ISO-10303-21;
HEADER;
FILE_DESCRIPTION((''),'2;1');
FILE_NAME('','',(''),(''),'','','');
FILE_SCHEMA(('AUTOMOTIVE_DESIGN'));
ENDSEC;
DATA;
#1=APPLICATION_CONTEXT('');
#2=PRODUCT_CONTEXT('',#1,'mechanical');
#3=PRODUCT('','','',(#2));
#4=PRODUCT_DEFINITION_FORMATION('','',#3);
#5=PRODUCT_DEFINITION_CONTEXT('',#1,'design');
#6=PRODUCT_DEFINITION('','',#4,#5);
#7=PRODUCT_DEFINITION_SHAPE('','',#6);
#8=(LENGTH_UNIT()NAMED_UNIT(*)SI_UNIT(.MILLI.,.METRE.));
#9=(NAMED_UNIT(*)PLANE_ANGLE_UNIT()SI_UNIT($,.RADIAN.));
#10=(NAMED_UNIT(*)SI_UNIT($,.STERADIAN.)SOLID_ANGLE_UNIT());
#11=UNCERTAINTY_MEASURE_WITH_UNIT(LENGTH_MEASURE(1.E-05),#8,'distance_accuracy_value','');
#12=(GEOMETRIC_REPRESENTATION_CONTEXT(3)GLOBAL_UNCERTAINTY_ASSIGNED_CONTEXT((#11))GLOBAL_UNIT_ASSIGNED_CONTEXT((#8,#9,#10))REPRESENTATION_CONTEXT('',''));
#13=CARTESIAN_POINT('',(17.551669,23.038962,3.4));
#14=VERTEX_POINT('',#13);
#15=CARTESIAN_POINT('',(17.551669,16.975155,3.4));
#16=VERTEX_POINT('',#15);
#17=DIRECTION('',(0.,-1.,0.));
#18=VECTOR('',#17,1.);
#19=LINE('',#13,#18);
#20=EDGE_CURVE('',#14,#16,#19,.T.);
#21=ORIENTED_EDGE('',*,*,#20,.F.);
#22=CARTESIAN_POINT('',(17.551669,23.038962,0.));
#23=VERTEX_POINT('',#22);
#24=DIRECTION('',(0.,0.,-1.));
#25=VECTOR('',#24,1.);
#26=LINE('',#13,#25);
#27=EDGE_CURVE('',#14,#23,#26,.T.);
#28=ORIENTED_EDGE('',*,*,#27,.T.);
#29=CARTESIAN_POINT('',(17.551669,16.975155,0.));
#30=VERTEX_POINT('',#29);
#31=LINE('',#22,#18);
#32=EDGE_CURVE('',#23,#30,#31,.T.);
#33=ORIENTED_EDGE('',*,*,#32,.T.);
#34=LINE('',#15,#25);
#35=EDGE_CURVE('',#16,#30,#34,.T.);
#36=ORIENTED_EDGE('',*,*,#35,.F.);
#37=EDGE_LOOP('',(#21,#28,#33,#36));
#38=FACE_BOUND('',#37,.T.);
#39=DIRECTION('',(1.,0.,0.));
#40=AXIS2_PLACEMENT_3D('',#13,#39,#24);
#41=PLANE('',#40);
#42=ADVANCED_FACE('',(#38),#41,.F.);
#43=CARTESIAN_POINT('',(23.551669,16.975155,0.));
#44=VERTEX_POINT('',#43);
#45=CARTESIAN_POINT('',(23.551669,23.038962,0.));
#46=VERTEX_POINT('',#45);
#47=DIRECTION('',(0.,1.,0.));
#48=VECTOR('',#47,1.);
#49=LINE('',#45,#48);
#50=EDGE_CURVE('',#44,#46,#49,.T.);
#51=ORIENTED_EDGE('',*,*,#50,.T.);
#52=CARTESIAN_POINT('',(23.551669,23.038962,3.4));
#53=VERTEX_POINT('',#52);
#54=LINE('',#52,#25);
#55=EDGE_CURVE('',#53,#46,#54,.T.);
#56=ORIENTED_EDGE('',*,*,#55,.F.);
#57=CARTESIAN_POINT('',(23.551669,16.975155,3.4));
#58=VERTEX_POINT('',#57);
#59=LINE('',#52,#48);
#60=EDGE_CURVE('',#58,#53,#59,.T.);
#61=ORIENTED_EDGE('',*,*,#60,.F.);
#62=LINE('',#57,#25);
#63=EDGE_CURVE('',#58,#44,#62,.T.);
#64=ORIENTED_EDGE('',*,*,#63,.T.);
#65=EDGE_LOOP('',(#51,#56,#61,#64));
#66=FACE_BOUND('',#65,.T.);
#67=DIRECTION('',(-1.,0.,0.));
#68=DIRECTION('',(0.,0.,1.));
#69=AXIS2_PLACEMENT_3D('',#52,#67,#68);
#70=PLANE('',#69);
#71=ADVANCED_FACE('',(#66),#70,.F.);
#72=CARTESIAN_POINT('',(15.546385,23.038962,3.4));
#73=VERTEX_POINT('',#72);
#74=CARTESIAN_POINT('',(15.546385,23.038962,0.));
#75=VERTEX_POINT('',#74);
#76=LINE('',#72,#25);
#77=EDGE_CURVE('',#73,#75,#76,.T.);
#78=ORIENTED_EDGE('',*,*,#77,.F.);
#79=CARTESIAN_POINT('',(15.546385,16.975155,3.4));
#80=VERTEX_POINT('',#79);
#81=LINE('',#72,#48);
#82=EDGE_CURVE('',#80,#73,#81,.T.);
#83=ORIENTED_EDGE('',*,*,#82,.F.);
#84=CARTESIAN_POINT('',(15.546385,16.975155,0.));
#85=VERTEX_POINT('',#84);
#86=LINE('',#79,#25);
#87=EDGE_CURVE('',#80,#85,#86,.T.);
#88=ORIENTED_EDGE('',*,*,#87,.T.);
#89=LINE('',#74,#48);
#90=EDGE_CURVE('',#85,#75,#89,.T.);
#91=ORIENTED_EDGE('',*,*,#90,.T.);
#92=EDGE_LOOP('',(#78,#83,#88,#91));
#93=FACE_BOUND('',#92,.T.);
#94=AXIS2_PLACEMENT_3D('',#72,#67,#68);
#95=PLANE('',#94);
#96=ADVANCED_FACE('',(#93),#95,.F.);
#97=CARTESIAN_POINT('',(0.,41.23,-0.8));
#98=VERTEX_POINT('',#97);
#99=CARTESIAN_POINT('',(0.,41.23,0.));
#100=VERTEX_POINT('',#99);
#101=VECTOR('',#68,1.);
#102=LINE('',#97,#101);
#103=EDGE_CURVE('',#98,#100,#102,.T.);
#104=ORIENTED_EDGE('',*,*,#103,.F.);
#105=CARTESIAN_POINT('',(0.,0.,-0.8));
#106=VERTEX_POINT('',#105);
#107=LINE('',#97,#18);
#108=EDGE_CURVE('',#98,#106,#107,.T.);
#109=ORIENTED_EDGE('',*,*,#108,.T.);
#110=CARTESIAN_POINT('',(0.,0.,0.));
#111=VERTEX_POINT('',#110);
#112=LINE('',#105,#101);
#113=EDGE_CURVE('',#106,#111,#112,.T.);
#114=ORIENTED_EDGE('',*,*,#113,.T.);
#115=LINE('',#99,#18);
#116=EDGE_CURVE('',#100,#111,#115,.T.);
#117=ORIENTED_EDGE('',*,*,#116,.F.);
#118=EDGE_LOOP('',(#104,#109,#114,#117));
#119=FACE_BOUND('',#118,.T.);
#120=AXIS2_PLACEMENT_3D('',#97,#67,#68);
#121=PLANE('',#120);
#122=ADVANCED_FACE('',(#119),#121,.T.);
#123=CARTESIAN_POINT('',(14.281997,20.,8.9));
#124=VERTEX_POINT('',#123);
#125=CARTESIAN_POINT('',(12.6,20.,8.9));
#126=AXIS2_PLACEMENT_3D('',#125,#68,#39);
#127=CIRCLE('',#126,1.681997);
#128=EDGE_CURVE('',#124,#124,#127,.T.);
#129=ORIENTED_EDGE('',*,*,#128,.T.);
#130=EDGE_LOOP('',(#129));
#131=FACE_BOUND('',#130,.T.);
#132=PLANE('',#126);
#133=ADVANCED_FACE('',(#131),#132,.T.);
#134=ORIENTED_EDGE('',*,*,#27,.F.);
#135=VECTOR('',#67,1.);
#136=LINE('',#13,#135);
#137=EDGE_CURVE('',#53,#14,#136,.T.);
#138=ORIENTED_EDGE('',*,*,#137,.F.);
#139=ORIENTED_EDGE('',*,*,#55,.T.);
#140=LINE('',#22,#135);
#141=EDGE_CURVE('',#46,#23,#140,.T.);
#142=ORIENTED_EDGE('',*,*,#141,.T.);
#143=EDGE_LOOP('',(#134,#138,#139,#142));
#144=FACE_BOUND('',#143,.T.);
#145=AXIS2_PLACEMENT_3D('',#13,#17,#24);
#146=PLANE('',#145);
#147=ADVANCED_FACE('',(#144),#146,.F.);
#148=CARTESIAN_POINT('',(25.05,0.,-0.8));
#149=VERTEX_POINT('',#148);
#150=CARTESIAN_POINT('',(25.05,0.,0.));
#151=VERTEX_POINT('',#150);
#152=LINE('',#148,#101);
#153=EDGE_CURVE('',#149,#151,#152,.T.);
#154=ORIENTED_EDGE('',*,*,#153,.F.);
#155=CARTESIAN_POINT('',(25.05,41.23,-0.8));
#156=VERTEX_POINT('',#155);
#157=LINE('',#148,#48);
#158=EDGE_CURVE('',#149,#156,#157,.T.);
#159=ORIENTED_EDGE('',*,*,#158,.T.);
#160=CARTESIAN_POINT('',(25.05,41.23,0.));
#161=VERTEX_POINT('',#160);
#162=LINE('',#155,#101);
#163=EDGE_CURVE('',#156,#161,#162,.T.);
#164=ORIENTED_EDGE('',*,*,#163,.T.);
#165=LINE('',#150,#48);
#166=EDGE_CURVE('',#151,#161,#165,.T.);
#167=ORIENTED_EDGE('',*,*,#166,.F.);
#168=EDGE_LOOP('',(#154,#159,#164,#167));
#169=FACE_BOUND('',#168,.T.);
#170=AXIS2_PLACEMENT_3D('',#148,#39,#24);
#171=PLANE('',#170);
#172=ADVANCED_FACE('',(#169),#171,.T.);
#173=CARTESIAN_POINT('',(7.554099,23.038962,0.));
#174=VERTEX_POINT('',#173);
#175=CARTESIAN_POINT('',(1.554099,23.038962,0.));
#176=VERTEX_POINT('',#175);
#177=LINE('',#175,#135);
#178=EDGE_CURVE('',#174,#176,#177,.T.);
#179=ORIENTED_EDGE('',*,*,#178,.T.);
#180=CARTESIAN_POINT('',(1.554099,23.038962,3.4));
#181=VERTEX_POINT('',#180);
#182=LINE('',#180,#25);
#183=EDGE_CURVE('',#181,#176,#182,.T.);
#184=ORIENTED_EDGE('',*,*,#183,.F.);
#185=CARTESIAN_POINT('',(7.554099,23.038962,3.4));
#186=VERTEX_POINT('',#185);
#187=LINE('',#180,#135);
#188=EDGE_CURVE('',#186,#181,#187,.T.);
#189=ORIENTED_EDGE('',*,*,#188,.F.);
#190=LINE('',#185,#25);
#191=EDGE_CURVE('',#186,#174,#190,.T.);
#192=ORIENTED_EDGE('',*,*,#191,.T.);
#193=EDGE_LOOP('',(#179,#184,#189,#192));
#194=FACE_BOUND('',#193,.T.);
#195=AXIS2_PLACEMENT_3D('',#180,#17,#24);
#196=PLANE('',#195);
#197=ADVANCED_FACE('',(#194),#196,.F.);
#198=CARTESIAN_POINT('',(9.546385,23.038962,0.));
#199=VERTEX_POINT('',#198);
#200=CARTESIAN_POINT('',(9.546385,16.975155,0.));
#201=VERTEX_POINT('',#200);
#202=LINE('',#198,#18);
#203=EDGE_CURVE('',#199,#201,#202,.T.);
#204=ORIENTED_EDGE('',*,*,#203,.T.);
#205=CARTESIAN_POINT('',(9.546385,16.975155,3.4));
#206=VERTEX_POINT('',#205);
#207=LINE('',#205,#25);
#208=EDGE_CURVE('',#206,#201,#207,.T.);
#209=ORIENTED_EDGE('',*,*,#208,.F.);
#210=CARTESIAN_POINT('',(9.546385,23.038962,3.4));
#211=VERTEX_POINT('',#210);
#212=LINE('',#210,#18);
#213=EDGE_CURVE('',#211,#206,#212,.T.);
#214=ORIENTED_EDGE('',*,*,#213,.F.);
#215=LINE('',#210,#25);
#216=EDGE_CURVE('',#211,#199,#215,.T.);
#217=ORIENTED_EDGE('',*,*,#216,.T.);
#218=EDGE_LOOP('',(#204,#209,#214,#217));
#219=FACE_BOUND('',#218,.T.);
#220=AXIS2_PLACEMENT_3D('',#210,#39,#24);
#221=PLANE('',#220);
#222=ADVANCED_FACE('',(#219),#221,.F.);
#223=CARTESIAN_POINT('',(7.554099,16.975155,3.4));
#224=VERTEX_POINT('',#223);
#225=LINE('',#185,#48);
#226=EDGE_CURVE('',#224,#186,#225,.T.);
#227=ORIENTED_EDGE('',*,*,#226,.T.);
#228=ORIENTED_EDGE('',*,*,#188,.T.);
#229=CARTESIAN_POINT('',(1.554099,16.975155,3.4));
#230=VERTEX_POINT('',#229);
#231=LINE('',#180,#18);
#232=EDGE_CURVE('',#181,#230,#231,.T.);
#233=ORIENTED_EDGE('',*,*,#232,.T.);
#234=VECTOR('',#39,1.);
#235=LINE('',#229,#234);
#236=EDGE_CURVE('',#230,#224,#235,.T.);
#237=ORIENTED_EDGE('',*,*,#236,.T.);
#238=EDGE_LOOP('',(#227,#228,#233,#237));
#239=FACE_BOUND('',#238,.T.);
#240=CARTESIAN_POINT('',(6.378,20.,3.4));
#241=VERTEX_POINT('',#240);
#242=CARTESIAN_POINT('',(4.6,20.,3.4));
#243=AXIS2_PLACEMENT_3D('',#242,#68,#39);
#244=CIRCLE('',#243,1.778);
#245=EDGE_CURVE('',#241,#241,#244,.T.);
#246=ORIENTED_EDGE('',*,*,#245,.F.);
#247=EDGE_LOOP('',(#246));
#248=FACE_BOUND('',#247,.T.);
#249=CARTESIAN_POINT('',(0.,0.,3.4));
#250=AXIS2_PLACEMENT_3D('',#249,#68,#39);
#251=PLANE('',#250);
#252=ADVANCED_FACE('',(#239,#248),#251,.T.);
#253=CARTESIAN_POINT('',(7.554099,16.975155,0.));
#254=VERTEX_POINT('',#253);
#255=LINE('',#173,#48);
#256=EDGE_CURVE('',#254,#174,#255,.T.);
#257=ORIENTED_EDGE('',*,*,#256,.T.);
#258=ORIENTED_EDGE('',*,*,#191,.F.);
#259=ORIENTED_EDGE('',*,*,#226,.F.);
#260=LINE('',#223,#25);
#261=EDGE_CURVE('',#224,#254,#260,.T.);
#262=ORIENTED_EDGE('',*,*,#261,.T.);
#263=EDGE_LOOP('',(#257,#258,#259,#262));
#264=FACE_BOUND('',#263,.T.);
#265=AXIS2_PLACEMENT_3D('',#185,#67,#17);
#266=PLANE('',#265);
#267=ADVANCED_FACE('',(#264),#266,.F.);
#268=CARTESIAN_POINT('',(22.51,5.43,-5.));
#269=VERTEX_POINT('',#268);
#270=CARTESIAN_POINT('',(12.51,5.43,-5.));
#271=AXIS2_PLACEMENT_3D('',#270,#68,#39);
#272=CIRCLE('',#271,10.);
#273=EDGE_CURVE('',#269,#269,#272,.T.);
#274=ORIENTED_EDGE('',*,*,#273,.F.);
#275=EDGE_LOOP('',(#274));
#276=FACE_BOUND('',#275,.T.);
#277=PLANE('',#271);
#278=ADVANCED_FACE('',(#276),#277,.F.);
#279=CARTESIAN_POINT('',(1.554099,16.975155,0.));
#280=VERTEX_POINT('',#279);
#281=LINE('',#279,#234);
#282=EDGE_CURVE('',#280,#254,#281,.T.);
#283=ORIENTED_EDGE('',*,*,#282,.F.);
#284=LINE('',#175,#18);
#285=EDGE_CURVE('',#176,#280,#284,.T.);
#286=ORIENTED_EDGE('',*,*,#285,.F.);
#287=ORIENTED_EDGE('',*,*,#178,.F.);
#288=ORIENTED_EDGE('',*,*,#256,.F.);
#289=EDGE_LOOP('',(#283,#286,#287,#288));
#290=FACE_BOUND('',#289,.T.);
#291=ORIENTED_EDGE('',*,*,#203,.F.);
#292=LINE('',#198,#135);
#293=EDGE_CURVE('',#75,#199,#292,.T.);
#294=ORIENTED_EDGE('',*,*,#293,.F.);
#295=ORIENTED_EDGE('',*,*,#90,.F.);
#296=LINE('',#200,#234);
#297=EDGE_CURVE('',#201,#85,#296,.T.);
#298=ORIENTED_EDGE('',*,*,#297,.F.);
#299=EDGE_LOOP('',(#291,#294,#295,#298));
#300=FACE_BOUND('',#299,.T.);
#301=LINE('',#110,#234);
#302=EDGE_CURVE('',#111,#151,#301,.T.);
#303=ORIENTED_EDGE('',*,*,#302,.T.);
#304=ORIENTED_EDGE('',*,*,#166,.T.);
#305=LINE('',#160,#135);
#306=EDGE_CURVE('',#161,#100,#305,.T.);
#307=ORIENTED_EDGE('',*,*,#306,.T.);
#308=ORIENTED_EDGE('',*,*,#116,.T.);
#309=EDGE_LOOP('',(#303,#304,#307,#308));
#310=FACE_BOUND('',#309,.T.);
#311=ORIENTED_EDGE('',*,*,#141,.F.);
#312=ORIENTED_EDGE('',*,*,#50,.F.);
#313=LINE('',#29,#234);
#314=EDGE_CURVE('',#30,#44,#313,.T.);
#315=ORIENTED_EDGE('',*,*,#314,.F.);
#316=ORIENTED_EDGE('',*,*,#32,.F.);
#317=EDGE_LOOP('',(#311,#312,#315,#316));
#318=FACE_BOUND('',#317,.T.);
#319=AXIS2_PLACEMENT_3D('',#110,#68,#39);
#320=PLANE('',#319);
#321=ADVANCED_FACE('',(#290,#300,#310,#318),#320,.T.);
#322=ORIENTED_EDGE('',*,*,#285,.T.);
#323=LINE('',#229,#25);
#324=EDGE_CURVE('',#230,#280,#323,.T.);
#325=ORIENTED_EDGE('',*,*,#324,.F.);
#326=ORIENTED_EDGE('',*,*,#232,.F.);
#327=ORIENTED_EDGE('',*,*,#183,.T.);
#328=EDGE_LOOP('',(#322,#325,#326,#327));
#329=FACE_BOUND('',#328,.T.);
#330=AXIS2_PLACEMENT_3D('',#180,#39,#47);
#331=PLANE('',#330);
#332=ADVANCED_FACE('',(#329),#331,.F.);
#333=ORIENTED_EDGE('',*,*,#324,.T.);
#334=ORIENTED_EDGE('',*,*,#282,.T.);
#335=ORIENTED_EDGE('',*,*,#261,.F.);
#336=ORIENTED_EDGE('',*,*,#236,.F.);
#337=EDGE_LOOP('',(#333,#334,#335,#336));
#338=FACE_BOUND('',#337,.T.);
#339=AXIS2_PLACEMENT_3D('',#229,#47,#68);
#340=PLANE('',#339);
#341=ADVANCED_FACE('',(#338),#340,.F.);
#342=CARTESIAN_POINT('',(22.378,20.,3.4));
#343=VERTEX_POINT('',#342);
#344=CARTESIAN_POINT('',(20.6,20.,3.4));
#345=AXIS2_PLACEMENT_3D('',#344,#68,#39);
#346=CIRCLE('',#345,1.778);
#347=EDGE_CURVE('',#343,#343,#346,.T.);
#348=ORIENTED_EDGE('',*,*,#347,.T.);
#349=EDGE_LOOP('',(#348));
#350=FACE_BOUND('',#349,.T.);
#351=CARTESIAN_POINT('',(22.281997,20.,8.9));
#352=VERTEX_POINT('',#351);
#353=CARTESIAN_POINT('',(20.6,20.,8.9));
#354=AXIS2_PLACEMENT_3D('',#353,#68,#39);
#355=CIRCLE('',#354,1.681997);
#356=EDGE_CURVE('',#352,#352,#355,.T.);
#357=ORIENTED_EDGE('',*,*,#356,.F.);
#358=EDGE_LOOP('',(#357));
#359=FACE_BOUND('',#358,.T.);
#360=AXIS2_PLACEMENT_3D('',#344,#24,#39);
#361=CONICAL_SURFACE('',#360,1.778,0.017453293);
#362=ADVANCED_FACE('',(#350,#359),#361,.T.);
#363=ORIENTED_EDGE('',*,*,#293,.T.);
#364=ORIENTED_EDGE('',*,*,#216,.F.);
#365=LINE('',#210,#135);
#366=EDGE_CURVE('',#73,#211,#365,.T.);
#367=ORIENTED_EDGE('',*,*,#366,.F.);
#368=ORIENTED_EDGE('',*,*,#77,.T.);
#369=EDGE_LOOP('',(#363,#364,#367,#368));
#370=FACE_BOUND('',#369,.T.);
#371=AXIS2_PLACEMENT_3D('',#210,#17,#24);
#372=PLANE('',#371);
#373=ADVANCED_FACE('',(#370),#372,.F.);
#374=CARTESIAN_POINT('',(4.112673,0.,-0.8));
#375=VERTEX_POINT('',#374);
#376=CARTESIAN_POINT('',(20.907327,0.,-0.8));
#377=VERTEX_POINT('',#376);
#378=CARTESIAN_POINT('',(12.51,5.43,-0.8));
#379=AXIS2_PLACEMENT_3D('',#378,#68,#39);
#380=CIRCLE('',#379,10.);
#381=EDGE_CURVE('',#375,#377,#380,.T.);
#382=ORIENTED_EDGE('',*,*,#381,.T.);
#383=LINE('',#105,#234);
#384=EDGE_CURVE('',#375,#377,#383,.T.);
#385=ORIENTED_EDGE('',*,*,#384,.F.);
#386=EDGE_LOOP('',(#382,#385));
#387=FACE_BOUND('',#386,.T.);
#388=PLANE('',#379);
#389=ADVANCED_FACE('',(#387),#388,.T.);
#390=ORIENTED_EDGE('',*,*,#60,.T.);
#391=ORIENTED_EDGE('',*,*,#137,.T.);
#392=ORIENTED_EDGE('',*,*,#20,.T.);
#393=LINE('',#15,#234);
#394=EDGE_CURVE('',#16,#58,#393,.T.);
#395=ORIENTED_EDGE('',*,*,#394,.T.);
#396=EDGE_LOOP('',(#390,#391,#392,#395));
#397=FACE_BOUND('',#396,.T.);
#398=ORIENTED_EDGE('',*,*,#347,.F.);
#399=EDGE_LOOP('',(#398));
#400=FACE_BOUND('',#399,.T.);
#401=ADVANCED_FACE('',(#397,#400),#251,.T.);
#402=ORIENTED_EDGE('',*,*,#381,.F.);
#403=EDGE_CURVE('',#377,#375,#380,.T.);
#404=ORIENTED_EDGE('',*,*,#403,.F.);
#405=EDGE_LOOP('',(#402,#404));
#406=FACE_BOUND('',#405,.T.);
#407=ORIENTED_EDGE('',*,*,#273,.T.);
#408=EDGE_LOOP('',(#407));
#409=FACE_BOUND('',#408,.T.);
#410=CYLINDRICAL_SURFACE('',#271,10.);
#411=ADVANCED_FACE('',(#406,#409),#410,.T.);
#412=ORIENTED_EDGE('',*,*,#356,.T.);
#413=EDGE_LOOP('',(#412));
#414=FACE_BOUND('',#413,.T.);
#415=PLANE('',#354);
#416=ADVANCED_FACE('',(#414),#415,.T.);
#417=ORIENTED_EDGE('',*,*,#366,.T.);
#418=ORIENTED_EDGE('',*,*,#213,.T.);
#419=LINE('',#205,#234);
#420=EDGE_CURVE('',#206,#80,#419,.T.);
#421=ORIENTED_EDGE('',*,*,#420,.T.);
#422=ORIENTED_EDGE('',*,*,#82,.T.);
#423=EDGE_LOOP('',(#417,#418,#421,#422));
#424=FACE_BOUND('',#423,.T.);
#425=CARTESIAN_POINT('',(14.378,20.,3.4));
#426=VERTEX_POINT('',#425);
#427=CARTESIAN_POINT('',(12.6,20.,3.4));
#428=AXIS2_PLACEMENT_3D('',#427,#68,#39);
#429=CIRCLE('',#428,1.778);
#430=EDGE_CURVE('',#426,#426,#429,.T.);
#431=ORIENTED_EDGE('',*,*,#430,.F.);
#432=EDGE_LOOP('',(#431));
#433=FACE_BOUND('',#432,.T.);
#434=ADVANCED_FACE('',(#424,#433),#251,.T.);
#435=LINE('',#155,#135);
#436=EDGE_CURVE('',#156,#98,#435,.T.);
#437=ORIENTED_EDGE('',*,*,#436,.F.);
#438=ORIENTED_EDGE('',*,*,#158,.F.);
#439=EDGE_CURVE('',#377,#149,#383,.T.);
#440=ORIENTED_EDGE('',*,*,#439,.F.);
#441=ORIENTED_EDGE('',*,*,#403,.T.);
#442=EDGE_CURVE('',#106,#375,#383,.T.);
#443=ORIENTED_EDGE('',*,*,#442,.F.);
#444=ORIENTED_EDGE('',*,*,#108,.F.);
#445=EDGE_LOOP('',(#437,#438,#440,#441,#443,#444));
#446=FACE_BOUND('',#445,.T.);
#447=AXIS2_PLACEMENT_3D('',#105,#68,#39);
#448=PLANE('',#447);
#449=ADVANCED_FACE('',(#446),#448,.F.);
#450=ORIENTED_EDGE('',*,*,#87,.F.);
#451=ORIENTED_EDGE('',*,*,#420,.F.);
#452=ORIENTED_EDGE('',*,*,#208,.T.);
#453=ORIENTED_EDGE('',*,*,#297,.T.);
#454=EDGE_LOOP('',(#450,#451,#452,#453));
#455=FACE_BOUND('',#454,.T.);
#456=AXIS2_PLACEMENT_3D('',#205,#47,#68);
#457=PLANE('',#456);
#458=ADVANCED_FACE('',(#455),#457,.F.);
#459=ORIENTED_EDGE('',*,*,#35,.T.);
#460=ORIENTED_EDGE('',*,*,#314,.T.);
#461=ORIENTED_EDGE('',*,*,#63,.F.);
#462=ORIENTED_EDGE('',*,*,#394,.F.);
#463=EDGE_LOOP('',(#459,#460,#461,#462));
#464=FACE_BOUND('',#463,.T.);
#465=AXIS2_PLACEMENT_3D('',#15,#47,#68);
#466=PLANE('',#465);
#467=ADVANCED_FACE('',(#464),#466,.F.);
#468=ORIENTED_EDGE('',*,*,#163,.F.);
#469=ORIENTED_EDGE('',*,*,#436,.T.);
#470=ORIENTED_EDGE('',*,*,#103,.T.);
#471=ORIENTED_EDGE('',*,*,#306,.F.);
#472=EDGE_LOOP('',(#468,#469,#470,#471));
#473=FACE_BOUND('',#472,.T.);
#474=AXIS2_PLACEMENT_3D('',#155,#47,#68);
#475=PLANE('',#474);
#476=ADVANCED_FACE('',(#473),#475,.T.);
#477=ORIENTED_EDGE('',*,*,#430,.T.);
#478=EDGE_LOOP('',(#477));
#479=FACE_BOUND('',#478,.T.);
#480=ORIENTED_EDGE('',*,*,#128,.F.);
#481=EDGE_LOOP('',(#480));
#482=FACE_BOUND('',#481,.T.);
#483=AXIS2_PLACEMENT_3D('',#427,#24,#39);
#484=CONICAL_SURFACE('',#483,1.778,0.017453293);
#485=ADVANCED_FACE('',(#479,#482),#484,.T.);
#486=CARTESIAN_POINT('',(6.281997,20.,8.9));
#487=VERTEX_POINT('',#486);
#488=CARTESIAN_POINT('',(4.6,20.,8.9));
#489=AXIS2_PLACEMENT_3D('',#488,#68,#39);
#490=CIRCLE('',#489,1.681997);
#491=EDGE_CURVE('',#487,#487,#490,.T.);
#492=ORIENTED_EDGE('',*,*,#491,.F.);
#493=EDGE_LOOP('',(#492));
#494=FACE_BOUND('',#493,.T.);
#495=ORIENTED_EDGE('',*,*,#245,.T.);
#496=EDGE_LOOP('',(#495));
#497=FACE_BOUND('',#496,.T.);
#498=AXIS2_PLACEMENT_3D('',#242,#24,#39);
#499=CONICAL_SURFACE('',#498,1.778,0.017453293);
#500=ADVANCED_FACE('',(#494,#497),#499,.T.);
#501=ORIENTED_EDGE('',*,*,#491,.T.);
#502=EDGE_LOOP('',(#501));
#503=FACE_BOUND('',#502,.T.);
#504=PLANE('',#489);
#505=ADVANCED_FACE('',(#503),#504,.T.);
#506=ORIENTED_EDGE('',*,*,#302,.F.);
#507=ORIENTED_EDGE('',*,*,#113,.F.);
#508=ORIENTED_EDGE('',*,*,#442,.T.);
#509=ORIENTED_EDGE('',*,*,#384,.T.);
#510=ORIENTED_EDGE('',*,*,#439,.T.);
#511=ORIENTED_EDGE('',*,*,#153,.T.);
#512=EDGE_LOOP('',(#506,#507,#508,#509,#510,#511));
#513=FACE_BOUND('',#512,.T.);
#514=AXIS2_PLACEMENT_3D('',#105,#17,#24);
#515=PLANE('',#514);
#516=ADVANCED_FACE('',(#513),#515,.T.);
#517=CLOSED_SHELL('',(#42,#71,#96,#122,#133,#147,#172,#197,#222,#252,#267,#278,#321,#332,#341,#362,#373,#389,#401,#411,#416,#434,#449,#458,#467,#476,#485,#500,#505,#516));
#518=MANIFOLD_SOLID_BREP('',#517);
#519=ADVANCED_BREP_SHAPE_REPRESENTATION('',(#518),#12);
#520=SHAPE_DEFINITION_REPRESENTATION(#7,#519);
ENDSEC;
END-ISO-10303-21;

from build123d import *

# Parameters (mm, degrees)
SKETCH_20_W                   = 25.05
SKETCH_20_H                   = 41.23
BOSS_EXTRUDE1_DEPTH           = 0.8
SKETCH13_W                    = 6
SKETCH13_H                    = 6.063806384
BOSS_EXTRUDE2_DEPTH           = 3.4
SKETCH14_R                    = 1.778
BOSS_EXTRUDE3_DEPTH           = 5.5
BOSS_EXTRUDE3_DRAFT           = 1
BOSS_EXTRUDE3_PROFILE_2_DEPTH = 5.5
BOSS_EXTRUDE3_PROFILE_2_DRAFT = 1
BOSS_EXTRUDE3_PROFILE_3_DEPTH = 5.5
BOSS_EXTRUDE3_PROFILE_3_DRAFT = 1
SKETCH15_R                    = 10
BOSS_EXTRUDE4_DEPTH           = 4.2


with BuildPart() as part:
    # Sketch 20 → Boss-Extrude1 (new body)
    with BuildSketch(Plane.XY):
        with Locations((12.525, 20.615)):
            Rectangle(SKETCH_20_W, SKETCH_20_H)
    extrude(amount=-BOSS_EXTRUDE1_DEPTH)

    # Sketch13 → Boss-Extrude2 (add)
    with BuildSketch(Plane.XY):
        with Locations((4.55409918, 20.007058513)):
            Rectangle(SKETCH13_W, SKETCH13_H)
        with Locations((12.546384712, 20.007058513)):
            Rectangle(SKETCH13_W, SKETCH13_H)
        with Locations((20.551668538, 20.007058513)):
            Rectangle(SKETCH13_W, SKETCH13_H)
    extrude(amount=BOSS_EXTRUDE2_DEPTH)


with BuildPart() as boss_extrude3_tool:
    # Sketch14 → Boss-Extrude3 (with draft: the straight prism first)
    with BuildSketch(Plane.XY.offset(3.4)):
        with Locations((4.6, 20)):
            Circle(SKETCH14_R)
    extrude(amount=BOSS_EXTRUDE3_DEPTH)
    # Boss-Extrude3: the draft: its side faces are tilted about the plane it starts from
    boss_extrude3_sides = [boss_extrude3_tool.faces().sort_by_distance(p)[0] for p in [
        (2.822, 20, 6.15),
    ]]
    draft(boss_extrude3_sides, Plane.XY.offset(3.4), BOSS_EXTRUDE3_DRAFT)


with BuildPart() as part_1:
    add(part.part)

    # Boss-Extrude3: add boss_extrude3_tool
    add(boss_extrude3_tool.part)


with BuildPart() as boss_extrude3_profile_2_tool:
    # Sketch14 → Boss-Extrude3 profile 2 (with draft: the straight prism first)
    with BuildSketch(Plane.XY.offset(3.4)):
        with Locations((12.6, 20)):
            Circle(SKETCH14_R)
    extrude(amount=BOSS_EXTRUDE3_PROFILE_2_DEPTH)
    # Boss-Extrude3 profile 2: the draft: its side faces are tilted about the plane it starts from
    boss_extrude3_profile_2_sides = [boss_extrude3_profile_2_tool.faces().sort_by_distance(p)[0] for p in [
        (10.822, 20, 6.15),
    ]]
    draft(boss_extrude3_profile_2_sides, Plane.XY.offset(3.4), BOSS_EXTRUDE3_PROFILE_2_DRAFT)


with BuildPart() as part_2:
    add(part_1.part)

    # Boss-Extrude3 profile 2: add boss_extrude3_profile_2_tool
    add(boss_extrude3_profile_2_tool.part)


with BuildPart() as boss_extrude3_profile_3_tool:
    # Sketch14 → Boss-Extrude3 profile 3 (with draft: the straight prism first)
    with BuildSketch(Plane.XY.offset(3.4)):
        with Locations((20.6, 20)):
            Circle(SKETCH14_R)
    extrude(amount=BOSS_EXTRUDE3_PROFILE_3_DEPTH)
    # Boss-Extrude3 profile 3: the draft: its side faces are tilted about the plane it starts from
    boss_extrude3_profile_3_sides = [boss_extrude3_profile_3_tool.faces().sort_by_distance(p)[0] for p in [
        (18.822, 20, 6.15),
    ]]
    draft(boss_extrude3_profile_3_sides, Plane.XY.offset(3.4), BOSS_EXTRUDE3_PROFILE_3_DRAFT)


with BuildPart() as part_3:
    add(part_2.part)

    # Boss-Extrude3 profile 3: add boss_extrude3_profile_3_tool
    add(boss_extrude3_profile_3_tool.part)

    # Sketch15 → Boss-Extrude4 (add)
    with BuildSketch(Plane.XY.offset(-0.8)):
        with Locations((12.51, 5.43)):
            Circle(SKETCH15_R)
    extrude(amount=-BOSS_EXTRUDE4_DEPTH)


solid = part_3.part
